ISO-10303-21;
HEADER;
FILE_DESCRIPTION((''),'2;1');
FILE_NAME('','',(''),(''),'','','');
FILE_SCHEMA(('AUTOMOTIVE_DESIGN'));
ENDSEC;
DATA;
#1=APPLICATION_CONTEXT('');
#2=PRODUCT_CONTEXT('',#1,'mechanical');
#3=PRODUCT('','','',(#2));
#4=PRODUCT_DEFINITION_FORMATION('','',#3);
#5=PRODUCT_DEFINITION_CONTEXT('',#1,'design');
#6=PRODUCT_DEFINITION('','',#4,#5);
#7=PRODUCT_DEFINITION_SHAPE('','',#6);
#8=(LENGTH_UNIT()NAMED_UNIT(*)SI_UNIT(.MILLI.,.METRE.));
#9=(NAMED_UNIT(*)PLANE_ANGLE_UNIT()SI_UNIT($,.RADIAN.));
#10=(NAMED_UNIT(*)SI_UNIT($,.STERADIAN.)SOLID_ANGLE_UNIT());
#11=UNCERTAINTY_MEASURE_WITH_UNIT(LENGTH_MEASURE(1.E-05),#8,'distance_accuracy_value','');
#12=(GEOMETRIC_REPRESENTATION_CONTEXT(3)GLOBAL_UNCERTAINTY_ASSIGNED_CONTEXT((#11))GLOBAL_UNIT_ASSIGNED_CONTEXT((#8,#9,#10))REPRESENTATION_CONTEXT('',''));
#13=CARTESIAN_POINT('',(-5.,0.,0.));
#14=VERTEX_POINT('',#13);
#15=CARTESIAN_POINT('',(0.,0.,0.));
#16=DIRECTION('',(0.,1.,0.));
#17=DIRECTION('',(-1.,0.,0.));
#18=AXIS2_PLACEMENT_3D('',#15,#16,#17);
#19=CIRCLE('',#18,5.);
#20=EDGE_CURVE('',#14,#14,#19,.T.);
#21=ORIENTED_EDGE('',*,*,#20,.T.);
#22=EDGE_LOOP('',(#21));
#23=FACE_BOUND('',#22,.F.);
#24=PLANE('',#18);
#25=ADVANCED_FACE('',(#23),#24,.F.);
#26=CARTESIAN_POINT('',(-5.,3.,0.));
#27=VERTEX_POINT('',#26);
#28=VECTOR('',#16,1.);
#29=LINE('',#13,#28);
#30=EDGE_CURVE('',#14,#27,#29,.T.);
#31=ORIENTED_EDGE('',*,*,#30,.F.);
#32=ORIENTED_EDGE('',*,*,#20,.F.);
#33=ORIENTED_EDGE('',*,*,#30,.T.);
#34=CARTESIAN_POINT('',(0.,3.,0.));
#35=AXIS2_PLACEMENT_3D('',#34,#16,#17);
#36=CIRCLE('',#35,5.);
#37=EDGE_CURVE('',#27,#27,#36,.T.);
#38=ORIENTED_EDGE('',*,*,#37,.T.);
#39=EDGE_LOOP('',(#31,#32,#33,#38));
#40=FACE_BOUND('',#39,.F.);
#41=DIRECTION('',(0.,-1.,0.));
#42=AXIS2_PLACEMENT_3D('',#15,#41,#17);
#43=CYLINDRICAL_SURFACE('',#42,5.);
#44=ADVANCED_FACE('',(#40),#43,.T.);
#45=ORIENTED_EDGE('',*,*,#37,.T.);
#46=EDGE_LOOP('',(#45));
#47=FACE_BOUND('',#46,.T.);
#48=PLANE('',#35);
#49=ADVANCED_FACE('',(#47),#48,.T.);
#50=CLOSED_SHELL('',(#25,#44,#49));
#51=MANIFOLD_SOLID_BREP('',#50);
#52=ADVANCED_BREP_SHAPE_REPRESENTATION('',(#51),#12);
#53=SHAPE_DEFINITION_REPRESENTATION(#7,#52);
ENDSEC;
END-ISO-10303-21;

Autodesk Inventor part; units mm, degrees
ref_plane "YZ Plane" through (0, 0, 0) normal (1, 0, 0) x (0, 1, 0)
ref_plane "XZ Plane" through (0, 0, 0) normal (0, 1, 0) x (-1, 0, 0)
ref_plane "XY Plane" through (0, 0, 0) normal (0, 0, 1) x (1, 0, 0)
sketch "Sketch1" plane through (0, 0, 0) normal (0, 1, 0) x (-1, 0, 0)
  circle A0 centre (0, 0) radius 5
  dimension "d0" = 10
extrude "Extrusion1" add sketch "Sketch1" along normal blind 3
properties part number "motor"
